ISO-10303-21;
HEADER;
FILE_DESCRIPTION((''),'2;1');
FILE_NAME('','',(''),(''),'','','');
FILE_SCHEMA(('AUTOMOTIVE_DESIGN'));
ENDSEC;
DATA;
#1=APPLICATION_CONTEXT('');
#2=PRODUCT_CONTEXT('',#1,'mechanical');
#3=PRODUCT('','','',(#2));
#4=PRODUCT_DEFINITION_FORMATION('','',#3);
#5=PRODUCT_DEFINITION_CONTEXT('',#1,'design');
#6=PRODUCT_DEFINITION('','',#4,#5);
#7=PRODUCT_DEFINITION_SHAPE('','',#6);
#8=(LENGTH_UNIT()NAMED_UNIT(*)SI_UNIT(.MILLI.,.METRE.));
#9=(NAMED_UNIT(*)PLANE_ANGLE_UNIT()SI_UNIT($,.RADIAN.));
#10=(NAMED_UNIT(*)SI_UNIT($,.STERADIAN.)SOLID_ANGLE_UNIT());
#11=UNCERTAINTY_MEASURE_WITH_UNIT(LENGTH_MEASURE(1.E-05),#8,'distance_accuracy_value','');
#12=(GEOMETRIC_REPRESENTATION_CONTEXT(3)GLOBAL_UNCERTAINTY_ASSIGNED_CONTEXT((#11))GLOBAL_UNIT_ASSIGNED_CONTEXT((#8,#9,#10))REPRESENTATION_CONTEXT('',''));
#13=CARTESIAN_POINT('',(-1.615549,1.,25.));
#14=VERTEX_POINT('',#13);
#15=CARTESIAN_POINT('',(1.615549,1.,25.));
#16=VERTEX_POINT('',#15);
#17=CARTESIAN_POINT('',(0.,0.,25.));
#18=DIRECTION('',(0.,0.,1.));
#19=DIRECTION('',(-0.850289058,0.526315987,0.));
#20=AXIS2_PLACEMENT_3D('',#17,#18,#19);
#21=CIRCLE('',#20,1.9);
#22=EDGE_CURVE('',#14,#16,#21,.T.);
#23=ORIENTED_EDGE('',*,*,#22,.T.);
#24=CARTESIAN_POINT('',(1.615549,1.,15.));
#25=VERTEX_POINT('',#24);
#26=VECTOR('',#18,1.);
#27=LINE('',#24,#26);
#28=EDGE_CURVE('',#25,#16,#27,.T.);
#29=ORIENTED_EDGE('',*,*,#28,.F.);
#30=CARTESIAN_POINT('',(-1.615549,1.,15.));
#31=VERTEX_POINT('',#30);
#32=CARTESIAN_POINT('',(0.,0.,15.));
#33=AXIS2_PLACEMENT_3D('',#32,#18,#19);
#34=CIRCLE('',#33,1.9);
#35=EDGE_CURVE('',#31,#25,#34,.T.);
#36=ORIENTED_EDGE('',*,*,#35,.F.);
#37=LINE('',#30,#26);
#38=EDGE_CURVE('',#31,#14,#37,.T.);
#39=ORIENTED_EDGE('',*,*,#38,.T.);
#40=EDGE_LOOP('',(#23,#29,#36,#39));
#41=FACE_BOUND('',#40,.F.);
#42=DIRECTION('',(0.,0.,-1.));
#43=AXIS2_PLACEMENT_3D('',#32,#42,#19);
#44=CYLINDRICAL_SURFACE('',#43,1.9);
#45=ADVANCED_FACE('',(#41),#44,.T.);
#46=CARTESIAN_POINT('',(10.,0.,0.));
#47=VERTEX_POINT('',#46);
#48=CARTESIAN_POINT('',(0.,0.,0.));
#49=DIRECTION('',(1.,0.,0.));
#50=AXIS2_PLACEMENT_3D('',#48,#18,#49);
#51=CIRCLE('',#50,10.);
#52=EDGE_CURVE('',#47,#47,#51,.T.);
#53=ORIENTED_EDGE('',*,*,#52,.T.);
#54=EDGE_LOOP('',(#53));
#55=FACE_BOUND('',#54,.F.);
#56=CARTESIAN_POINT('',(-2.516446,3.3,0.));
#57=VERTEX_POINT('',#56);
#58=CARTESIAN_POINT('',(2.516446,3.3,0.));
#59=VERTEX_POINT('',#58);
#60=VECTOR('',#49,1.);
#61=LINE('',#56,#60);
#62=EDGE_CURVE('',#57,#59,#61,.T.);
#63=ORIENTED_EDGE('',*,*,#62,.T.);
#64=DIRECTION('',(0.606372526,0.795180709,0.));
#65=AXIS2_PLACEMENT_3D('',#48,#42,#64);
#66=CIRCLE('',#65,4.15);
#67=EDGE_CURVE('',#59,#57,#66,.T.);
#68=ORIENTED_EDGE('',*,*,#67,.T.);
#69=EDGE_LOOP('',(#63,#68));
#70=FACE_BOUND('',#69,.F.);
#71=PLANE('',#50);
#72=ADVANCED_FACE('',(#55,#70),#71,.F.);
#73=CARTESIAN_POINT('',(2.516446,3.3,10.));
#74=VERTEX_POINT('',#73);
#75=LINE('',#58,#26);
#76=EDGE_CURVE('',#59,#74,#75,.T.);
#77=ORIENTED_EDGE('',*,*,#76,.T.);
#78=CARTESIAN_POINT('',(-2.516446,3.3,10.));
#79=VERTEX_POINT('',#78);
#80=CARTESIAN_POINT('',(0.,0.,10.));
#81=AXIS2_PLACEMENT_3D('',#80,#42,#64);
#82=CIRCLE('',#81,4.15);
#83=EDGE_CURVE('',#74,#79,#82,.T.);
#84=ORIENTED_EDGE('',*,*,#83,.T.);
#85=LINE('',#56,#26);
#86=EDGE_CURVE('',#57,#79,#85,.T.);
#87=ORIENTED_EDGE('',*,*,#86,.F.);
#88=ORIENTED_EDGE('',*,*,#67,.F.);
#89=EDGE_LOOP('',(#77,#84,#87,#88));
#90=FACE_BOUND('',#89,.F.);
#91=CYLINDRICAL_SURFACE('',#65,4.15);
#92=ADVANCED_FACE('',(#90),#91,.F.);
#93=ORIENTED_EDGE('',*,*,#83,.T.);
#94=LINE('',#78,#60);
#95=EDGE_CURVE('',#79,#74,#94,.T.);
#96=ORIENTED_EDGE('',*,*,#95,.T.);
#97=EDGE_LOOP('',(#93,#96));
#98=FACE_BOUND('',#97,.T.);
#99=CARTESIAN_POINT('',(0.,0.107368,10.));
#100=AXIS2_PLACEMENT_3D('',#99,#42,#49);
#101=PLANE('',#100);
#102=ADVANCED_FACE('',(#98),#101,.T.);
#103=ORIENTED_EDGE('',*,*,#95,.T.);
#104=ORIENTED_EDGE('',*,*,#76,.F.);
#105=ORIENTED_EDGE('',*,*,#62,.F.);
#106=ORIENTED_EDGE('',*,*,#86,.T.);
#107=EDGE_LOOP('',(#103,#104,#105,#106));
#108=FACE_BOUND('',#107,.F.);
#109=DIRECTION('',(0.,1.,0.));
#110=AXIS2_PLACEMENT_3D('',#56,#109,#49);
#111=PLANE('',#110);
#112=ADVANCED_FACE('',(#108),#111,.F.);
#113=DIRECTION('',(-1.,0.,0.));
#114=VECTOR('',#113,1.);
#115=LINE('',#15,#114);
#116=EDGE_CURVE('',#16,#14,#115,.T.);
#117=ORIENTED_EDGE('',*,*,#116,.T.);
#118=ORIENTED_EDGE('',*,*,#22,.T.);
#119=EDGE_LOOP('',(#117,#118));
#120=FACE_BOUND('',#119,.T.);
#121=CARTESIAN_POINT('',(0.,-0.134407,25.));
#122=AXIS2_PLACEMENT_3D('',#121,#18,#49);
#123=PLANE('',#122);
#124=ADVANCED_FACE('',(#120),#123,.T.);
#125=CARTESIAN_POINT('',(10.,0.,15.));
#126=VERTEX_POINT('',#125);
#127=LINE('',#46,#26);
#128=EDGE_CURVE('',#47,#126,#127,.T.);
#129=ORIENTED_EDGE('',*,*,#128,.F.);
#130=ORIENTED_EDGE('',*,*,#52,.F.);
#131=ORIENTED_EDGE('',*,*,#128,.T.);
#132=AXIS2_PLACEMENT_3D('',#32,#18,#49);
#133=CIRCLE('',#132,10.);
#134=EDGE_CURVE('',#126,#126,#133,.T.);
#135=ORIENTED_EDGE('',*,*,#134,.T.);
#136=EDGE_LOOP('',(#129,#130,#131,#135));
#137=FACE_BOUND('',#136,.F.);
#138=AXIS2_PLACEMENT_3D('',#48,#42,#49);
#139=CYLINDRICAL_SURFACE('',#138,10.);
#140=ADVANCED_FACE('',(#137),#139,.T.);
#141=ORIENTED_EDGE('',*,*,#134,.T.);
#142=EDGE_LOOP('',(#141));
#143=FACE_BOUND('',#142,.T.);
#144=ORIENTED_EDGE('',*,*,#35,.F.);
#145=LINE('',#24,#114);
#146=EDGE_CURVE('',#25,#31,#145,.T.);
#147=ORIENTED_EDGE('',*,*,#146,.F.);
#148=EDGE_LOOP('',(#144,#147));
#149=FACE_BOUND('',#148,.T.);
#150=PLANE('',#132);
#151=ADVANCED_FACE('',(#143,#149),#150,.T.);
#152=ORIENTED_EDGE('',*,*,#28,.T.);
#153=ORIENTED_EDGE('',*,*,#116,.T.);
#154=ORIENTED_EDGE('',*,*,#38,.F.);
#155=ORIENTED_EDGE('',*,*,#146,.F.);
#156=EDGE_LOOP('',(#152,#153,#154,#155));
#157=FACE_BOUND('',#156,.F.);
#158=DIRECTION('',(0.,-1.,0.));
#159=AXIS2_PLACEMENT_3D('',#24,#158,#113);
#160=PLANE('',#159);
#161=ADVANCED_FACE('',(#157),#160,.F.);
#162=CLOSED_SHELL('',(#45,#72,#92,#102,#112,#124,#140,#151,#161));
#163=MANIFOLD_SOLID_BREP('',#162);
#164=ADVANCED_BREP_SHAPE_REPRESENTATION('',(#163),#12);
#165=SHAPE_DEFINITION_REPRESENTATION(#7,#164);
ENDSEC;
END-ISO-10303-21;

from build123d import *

# Parameters (mm, degrees)
F0_R     = 10
F1_DEPTH = 15
F3_DEPTH = 10
F5_DEPTH = 10


with BuildPart() as f1:
    # F0 (on Top) → F1 (new body)
    with BuildSketch(Plane.XY):
        Circle(F0_R)
    extrude(amount=F1_DEPTH)

    # F2 (on face) → F3 (cut)
    with BuildSketch(Plane(origin=(0, 0, 0), x_dir=(1, 0, 0), z_dir=(0, 0, -1))):
        with BuildLine():
            Line((-2.516446, -3.3), (2.516446, -3.3))
            ThreePointArc((2.516446, -3.3), (0, 4.15), (-2.516446, -3.3))
        make_face()
    extrude(amount=-F3_DEPTH, mode=Mode.SUBTRACT)

    # F4 (on face) → F5 (join)
    with BuildSketch(Plane.XY.offset(15)):
        with BuildLine():
            Line((1.615549, 1), (-1.615549, 1))
            ThreePointArc((-1.615549, 1), (0, -1.9), (1.615549, 1))
        make_face()
    extrude(amount=F5_DEPTH)


solid = f1.part
